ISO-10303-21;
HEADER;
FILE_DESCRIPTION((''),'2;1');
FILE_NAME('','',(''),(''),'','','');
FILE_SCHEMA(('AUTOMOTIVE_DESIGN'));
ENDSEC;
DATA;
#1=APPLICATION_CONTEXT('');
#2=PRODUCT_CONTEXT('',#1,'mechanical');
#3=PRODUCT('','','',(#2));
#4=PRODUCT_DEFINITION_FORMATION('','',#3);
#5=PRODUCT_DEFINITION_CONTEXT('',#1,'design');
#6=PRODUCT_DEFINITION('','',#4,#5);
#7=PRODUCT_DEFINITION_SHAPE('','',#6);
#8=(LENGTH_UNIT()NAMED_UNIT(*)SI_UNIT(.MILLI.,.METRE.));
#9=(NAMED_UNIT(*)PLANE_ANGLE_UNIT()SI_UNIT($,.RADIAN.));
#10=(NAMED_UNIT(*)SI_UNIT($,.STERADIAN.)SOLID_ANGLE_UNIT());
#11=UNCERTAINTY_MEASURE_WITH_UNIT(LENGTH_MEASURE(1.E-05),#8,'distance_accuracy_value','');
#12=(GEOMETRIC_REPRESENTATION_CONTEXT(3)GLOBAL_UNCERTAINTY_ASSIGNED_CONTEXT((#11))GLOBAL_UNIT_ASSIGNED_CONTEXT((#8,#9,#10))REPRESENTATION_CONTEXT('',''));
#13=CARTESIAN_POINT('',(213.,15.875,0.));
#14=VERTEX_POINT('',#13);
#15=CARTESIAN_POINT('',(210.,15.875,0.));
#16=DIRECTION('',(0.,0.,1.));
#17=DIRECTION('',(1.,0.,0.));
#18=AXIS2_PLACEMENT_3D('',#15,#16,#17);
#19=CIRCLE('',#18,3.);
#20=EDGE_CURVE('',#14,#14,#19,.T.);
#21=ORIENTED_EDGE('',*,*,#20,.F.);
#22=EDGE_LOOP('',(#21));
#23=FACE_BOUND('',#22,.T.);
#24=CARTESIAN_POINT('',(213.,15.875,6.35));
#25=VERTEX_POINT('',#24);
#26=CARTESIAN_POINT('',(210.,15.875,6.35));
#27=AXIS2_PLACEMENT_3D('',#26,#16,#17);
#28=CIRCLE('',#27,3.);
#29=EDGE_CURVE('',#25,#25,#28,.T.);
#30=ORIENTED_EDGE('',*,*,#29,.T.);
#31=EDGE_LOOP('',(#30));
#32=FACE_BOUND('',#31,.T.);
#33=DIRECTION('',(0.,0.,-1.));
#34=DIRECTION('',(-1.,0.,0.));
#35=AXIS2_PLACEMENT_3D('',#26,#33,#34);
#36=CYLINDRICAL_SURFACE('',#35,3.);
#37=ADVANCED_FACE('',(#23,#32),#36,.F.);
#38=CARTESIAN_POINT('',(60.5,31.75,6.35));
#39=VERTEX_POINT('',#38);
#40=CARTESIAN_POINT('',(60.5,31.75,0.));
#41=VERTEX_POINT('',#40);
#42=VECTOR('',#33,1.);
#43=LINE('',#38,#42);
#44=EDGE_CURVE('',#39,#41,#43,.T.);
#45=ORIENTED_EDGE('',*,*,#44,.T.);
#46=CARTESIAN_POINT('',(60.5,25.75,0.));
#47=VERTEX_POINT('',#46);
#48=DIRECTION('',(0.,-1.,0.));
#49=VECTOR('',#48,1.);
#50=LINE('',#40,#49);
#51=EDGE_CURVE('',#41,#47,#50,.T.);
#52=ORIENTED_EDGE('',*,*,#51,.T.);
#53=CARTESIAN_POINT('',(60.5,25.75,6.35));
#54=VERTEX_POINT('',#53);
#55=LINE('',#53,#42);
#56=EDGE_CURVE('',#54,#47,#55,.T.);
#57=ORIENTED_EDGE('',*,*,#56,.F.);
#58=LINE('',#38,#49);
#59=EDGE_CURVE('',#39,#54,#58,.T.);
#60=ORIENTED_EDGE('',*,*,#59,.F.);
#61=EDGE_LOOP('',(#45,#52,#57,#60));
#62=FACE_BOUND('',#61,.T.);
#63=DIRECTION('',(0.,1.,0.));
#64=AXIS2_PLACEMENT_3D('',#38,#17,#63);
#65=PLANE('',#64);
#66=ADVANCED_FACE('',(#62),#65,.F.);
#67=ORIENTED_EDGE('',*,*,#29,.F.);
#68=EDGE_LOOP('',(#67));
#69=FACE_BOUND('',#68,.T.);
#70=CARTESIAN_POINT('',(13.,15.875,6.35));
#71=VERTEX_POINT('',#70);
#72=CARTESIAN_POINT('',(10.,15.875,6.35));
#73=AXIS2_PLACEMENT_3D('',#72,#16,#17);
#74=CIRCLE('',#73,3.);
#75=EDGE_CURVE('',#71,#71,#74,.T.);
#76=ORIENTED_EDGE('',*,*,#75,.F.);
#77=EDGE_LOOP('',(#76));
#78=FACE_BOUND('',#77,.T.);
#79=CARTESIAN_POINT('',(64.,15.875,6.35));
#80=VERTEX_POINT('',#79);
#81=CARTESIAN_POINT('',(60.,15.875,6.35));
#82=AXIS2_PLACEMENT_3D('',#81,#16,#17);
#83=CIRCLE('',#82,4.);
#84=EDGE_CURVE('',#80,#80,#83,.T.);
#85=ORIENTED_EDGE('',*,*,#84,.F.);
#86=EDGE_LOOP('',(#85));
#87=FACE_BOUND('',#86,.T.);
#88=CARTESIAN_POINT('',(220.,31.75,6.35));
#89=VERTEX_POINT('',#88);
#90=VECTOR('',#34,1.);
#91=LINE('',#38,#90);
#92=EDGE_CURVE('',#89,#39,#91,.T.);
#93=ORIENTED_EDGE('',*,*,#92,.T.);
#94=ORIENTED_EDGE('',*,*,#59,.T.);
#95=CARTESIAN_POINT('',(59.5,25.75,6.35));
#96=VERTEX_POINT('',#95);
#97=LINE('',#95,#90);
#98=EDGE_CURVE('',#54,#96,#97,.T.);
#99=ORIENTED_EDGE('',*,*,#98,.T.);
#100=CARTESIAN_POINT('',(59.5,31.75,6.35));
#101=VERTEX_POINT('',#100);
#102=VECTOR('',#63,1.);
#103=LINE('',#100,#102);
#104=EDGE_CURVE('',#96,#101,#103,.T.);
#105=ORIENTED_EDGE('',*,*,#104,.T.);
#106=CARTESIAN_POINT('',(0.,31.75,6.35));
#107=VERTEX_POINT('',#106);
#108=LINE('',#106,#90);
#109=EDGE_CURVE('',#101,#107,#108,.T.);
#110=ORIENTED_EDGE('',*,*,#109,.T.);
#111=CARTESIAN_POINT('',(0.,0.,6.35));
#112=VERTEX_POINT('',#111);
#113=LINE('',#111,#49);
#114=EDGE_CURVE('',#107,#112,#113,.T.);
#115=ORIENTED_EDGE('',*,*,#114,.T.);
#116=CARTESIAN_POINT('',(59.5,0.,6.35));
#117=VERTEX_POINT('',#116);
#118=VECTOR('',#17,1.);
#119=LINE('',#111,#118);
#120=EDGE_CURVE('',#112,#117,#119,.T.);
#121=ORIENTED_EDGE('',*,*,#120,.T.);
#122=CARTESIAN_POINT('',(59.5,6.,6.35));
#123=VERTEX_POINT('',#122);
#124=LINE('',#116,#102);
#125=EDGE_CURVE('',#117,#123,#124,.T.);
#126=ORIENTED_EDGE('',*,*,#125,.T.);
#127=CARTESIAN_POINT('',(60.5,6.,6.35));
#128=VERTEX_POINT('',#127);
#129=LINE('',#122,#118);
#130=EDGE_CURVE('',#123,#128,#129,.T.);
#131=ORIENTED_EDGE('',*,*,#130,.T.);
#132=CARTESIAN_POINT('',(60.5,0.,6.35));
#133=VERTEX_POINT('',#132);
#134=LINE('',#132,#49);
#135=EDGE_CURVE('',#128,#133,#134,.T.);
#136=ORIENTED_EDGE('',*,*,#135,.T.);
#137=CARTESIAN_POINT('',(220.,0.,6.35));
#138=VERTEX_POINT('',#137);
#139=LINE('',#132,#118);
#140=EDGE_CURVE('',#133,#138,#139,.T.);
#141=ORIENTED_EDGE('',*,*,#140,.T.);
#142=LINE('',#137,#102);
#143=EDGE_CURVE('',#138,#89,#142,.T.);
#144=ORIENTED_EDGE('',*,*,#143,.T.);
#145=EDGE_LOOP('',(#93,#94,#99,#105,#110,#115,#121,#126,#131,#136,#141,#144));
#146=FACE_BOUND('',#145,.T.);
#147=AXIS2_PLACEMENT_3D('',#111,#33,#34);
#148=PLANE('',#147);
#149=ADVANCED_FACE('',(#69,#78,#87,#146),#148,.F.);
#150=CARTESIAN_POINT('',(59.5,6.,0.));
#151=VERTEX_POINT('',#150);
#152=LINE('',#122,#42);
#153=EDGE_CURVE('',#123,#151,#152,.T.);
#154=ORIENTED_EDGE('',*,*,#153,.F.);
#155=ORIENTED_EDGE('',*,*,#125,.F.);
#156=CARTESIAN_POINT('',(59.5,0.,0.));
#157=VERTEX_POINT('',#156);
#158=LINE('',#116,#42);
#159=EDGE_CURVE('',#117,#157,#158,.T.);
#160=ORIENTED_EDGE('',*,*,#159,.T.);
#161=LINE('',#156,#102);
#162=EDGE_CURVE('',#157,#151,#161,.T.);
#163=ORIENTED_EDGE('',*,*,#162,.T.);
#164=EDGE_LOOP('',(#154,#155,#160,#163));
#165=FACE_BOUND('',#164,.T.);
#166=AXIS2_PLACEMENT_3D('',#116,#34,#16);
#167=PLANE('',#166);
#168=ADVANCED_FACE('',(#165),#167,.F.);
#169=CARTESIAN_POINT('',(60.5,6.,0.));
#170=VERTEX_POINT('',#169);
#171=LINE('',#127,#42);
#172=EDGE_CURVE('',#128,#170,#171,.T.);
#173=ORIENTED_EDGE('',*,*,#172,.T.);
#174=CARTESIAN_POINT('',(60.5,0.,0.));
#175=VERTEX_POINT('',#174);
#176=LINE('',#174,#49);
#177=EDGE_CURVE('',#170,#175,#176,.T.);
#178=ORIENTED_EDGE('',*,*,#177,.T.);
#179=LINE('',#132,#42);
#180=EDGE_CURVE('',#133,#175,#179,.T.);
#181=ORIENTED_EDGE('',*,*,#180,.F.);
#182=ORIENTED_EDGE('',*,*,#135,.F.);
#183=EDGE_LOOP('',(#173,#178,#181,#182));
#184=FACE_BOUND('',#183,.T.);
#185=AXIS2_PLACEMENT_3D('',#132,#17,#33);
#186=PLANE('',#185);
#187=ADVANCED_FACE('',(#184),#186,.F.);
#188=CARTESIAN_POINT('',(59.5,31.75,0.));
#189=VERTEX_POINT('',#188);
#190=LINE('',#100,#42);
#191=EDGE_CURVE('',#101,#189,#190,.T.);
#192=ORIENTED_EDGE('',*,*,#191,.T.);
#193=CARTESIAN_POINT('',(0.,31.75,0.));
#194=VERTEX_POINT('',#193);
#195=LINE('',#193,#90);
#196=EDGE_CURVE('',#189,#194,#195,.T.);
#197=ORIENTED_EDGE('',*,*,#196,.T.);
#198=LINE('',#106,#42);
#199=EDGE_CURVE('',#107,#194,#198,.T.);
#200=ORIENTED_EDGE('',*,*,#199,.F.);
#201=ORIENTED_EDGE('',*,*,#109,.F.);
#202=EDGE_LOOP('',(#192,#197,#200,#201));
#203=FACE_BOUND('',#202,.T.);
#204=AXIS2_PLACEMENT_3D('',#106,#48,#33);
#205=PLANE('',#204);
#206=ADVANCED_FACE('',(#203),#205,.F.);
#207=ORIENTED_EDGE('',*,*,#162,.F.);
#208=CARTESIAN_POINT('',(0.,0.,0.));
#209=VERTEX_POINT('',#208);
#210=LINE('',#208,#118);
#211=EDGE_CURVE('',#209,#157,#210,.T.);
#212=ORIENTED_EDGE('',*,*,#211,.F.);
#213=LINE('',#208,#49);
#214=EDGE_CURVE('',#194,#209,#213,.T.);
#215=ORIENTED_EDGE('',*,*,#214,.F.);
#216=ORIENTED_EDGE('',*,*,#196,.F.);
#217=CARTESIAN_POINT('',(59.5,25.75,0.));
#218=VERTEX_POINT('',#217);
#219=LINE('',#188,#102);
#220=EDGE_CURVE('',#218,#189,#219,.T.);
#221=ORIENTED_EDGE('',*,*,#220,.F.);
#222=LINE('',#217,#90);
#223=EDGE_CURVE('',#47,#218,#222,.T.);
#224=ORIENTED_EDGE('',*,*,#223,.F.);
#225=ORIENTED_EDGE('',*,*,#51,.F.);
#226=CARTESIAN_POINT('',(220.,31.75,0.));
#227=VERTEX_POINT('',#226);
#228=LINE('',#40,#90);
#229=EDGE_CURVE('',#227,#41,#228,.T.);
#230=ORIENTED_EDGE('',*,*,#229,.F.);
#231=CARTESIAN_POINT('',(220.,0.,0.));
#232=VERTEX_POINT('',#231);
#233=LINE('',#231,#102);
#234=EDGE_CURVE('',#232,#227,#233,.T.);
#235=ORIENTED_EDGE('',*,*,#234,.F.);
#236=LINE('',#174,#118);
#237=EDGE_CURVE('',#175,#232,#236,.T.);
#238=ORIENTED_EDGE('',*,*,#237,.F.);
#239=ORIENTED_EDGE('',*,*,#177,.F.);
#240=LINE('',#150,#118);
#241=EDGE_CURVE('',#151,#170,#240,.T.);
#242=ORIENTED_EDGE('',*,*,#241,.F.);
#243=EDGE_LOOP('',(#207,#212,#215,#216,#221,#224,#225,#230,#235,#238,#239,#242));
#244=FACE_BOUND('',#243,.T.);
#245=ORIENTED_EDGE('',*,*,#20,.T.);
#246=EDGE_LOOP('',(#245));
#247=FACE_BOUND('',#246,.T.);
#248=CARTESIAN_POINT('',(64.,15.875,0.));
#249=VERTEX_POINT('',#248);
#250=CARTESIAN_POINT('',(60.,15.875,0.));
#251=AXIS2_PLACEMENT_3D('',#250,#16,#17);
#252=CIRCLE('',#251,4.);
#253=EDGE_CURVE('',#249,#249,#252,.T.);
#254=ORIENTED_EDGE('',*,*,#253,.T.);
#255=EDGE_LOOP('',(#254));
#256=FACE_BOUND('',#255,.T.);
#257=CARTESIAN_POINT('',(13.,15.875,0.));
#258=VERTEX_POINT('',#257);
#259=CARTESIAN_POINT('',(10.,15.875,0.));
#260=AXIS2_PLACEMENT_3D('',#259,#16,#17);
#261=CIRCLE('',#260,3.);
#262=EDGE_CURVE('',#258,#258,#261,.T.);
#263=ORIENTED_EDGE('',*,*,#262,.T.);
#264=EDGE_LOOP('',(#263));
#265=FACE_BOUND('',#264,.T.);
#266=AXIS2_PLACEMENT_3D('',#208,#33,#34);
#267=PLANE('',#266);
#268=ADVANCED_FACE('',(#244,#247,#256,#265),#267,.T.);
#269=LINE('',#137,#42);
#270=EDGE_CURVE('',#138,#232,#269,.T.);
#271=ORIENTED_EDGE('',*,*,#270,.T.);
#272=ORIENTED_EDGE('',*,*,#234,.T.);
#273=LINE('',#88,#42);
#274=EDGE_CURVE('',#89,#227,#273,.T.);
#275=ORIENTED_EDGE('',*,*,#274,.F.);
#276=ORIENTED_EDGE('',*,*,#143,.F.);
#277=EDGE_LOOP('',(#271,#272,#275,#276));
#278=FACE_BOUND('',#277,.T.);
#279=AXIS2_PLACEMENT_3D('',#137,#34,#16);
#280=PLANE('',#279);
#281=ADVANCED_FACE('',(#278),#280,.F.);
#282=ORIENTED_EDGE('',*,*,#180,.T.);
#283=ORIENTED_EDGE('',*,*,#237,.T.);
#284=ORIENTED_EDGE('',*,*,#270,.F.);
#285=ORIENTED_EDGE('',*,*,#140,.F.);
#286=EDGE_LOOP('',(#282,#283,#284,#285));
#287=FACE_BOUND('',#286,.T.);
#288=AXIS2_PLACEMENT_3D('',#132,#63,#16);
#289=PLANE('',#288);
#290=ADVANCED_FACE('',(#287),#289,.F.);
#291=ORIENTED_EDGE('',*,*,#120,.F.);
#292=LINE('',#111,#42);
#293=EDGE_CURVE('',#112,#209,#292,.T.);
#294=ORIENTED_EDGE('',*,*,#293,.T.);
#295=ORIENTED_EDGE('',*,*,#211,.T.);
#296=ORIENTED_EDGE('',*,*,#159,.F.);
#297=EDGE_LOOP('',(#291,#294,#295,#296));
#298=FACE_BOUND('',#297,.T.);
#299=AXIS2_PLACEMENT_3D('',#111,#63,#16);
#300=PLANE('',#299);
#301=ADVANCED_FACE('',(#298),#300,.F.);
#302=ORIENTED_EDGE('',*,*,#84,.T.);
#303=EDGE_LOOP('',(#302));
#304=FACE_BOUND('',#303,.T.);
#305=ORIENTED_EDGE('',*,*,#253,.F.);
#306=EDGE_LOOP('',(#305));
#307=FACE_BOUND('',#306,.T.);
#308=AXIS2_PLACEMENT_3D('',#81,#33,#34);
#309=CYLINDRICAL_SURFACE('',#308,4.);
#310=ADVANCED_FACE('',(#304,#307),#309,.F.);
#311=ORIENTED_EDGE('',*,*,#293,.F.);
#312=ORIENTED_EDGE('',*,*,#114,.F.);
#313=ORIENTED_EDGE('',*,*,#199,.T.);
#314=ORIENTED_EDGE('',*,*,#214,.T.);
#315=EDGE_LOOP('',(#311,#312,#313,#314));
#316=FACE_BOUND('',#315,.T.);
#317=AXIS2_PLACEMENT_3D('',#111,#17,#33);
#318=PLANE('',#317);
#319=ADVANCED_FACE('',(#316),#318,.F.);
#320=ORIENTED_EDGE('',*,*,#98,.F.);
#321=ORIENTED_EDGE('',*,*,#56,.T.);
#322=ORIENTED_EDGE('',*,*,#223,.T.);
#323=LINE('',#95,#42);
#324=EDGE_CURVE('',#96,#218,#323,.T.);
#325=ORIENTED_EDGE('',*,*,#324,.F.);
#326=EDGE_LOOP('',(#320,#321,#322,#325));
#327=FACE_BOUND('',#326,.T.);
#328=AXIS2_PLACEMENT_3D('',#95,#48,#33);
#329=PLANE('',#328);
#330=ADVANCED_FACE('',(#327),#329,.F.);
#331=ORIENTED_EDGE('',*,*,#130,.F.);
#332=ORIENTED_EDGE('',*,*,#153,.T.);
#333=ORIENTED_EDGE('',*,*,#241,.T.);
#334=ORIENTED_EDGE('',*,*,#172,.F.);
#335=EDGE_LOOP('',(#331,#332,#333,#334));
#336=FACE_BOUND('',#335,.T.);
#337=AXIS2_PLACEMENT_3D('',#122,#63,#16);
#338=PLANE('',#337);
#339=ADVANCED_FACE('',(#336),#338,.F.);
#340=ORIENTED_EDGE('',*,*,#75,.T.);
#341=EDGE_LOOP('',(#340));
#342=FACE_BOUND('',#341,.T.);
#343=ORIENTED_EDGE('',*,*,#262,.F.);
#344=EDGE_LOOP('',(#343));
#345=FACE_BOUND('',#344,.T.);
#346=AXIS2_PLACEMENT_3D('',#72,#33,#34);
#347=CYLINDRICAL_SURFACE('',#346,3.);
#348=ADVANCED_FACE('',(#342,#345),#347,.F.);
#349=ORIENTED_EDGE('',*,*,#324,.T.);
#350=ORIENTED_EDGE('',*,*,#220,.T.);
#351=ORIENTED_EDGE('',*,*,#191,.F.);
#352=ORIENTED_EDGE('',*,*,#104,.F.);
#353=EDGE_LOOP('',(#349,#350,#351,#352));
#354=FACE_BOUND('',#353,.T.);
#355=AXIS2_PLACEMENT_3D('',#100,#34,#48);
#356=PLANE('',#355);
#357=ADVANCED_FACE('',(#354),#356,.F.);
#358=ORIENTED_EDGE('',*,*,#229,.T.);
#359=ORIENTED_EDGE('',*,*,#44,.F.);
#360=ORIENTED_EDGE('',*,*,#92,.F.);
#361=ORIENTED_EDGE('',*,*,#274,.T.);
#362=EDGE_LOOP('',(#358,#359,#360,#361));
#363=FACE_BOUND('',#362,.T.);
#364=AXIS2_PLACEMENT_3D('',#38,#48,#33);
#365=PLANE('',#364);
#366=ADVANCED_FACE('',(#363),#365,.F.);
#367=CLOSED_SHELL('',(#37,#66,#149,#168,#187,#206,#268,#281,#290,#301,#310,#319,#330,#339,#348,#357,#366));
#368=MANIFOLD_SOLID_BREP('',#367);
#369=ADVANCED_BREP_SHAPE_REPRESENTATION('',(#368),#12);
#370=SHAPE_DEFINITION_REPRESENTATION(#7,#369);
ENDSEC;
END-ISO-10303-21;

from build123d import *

# Parameters (mm, degrees)
SKETCH1_R           = 3
SKETCH1_R_2         = 4
BOSS_EXTRUDE1_DEPTH = 6.35


with BuildPart() as part:
    # Sketch1 → Boss-Extrude1 (new body)
    with BuildSketch(Plane.XY):
        Polygon((60.5, 31.75), (220, 31.75), (220, 0), (60.5, 0), (60.5, 6), (59.5, 6), (59.5, 0), (0, 0), (0, 31.75), (59.5, 31.75), (59.5, 25.75), (60.5, 25.75), align=None)
        with Locations((10, 15.875)):
            Circle(SKETCH1_R, mode=Mode.SUBTRACT)
        with Locations((60, 15.875)):
            Circle(SKETCH1_R_2, mode=Mode.SUBTRACT)
        with Locations((210, 15.875)):
            Circle(SKETCH1_R, mode=Mode.SUBTRACT)
    extrude(amount=BOSS_EXTRUDE1_DEPTH)


solid = part.part
